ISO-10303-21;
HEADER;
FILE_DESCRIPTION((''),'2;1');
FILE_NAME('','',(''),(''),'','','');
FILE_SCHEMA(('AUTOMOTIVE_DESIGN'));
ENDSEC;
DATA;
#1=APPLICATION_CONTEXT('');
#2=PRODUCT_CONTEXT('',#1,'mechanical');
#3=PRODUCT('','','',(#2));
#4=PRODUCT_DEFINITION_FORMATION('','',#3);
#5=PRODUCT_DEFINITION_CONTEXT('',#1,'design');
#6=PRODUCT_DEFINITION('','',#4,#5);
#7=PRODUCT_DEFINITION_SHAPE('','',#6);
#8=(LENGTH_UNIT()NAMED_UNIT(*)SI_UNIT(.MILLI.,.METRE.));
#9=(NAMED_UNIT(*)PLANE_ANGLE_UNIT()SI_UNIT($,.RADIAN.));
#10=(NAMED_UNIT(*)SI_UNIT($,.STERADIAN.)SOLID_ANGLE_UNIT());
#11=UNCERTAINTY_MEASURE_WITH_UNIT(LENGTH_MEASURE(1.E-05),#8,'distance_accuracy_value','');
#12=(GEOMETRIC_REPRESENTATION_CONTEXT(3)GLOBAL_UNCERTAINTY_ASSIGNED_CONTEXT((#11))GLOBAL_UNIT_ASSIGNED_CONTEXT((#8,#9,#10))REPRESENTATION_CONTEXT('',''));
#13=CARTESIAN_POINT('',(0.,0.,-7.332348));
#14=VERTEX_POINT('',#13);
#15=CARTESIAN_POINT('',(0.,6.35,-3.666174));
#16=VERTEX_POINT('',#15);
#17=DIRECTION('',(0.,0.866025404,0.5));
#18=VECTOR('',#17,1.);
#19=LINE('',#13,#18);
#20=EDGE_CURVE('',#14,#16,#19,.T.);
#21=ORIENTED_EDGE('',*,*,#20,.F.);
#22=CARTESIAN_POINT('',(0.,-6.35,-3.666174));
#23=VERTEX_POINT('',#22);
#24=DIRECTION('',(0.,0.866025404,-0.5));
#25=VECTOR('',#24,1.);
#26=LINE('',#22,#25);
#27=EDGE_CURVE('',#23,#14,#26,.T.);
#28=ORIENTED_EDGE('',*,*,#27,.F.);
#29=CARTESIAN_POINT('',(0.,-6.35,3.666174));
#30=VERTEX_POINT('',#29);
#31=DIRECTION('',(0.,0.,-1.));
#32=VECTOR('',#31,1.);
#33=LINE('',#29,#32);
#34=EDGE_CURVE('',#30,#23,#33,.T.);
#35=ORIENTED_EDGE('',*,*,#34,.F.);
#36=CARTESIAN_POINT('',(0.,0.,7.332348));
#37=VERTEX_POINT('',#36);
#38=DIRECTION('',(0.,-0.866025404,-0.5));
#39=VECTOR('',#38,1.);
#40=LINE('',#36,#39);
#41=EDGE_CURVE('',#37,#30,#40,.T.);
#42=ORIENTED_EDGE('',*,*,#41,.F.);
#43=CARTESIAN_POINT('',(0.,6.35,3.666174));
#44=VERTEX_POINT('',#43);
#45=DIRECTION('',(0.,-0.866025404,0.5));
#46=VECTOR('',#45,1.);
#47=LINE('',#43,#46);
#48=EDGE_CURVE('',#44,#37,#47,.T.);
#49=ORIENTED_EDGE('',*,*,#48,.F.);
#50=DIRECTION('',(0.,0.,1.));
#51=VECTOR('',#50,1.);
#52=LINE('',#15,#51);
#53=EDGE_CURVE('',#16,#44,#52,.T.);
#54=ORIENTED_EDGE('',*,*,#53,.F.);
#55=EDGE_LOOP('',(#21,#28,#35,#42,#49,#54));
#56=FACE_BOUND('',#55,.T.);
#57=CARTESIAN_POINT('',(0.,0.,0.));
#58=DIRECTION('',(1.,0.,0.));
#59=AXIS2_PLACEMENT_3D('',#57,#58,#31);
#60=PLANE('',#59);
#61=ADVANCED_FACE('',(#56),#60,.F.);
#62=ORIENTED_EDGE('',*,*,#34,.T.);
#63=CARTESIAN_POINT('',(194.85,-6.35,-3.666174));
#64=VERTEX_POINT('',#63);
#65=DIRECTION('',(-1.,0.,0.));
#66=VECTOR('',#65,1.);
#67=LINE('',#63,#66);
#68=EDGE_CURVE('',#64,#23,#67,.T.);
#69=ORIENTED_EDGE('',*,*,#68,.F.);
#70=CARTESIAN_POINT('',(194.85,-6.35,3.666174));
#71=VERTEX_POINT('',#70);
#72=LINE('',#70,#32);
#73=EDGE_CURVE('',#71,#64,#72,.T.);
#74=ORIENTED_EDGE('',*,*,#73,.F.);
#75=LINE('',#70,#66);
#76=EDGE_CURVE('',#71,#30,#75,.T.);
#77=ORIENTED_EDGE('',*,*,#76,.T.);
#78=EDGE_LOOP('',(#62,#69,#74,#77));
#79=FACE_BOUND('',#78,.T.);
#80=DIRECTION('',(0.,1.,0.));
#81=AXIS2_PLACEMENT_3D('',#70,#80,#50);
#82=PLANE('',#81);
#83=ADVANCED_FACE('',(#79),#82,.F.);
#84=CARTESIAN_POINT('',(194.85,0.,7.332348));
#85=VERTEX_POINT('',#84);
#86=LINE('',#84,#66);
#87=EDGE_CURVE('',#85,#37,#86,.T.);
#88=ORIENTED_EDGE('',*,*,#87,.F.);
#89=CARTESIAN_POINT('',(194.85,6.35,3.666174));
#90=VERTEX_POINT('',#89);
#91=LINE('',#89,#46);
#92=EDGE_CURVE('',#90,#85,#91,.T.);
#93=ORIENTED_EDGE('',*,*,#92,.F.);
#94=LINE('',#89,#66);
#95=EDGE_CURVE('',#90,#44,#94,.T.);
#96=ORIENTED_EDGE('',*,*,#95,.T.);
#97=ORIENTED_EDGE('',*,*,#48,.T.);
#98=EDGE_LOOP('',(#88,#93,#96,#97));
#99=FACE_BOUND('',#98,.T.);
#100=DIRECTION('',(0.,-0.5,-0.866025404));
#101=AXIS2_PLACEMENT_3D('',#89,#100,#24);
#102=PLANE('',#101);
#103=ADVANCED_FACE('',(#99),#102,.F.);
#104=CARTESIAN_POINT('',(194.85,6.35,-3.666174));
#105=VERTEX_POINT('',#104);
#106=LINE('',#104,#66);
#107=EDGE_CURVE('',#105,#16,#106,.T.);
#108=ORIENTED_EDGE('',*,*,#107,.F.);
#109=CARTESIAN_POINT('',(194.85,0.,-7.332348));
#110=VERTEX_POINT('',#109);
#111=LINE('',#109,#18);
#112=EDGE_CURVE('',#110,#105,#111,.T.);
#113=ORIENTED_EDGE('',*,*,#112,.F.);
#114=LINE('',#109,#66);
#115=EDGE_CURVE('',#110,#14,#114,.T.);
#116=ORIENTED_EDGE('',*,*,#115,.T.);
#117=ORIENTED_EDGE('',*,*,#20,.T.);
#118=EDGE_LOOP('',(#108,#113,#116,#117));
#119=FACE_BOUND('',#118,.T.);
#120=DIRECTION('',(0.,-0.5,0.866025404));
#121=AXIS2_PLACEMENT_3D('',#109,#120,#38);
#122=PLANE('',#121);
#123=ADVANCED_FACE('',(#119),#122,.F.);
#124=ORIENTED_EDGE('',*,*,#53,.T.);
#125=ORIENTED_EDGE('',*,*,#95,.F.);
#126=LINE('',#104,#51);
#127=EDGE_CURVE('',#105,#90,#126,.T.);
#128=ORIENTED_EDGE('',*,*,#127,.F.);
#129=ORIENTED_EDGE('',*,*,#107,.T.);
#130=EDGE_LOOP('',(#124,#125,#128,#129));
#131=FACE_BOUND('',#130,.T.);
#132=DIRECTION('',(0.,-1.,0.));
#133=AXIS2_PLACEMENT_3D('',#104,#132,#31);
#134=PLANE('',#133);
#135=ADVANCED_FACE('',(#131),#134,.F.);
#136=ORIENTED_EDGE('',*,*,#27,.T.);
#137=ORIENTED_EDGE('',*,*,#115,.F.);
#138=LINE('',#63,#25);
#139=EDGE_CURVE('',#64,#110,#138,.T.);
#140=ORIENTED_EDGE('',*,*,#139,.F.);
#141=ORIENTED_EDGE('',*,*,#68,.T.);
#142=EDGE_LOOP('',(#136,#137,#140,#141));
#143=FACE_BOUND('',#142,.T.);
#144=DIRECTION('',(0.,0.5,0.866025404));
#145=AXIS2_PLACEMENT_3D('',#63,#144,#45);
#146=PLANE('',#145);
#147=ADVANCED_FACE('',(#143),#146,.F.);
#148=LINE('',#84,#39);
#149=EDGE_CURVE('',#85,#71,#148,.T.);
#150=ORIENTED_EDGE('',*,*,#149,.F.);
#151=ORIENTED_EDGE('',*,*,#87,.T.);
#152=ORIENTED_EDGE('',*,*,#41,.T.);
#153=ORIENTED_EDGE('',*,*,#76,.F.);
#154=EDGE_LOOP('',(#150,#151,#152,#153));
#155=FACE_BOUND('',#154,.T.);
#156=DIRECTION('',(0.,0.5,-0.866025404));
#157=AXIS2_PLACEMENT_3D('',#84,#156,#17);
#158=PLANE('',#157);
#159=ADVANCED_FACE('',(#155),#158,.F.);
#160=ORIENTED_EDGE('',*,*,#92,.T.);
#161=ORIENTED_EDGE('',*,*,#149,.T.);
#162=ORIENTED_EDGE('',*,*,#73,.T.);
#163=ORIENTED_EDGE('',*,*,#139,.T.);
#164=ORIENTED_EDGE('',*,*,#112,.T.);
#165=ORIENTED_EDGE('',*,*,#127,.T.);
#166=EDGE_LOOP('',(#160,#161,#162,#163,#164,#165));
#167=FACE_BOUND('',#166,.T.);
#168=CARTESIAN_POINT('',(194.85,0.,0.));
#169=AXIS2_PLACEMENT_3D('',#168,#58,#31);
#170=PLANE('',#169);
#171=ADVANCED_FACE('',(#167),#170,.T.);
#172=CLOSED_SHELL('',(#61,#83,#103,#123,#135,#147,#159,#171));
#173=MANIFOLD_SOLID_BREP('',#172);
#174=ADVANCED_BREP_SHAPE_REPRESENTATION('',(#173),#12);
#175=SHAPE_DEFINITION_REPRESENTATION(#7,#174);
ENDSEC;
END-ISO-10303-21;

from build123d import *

# Parameters (mm, degrees)
BOSS_EXTRUDE1_DEPTH = 194.85


with BuildPart() as part:
    # Sketch1 → Boss-Extrude1 (new body)
    with BuildSketch(Plane(origin=(0, 0, 0), x_dir=(0, 0, -1), z_dir=(1, 0, 0))):
        Polygon((7.332348419, 0), (3.666174209, 6.35), (-3.666174209, 6.35), (-7.332348419, 0), (-3.666174209, -6.35), (3.666174209, -6.35), align=None)
    extrude(amount=BOSS_EXTRUDE1_DEPTH)


solid = part.part
